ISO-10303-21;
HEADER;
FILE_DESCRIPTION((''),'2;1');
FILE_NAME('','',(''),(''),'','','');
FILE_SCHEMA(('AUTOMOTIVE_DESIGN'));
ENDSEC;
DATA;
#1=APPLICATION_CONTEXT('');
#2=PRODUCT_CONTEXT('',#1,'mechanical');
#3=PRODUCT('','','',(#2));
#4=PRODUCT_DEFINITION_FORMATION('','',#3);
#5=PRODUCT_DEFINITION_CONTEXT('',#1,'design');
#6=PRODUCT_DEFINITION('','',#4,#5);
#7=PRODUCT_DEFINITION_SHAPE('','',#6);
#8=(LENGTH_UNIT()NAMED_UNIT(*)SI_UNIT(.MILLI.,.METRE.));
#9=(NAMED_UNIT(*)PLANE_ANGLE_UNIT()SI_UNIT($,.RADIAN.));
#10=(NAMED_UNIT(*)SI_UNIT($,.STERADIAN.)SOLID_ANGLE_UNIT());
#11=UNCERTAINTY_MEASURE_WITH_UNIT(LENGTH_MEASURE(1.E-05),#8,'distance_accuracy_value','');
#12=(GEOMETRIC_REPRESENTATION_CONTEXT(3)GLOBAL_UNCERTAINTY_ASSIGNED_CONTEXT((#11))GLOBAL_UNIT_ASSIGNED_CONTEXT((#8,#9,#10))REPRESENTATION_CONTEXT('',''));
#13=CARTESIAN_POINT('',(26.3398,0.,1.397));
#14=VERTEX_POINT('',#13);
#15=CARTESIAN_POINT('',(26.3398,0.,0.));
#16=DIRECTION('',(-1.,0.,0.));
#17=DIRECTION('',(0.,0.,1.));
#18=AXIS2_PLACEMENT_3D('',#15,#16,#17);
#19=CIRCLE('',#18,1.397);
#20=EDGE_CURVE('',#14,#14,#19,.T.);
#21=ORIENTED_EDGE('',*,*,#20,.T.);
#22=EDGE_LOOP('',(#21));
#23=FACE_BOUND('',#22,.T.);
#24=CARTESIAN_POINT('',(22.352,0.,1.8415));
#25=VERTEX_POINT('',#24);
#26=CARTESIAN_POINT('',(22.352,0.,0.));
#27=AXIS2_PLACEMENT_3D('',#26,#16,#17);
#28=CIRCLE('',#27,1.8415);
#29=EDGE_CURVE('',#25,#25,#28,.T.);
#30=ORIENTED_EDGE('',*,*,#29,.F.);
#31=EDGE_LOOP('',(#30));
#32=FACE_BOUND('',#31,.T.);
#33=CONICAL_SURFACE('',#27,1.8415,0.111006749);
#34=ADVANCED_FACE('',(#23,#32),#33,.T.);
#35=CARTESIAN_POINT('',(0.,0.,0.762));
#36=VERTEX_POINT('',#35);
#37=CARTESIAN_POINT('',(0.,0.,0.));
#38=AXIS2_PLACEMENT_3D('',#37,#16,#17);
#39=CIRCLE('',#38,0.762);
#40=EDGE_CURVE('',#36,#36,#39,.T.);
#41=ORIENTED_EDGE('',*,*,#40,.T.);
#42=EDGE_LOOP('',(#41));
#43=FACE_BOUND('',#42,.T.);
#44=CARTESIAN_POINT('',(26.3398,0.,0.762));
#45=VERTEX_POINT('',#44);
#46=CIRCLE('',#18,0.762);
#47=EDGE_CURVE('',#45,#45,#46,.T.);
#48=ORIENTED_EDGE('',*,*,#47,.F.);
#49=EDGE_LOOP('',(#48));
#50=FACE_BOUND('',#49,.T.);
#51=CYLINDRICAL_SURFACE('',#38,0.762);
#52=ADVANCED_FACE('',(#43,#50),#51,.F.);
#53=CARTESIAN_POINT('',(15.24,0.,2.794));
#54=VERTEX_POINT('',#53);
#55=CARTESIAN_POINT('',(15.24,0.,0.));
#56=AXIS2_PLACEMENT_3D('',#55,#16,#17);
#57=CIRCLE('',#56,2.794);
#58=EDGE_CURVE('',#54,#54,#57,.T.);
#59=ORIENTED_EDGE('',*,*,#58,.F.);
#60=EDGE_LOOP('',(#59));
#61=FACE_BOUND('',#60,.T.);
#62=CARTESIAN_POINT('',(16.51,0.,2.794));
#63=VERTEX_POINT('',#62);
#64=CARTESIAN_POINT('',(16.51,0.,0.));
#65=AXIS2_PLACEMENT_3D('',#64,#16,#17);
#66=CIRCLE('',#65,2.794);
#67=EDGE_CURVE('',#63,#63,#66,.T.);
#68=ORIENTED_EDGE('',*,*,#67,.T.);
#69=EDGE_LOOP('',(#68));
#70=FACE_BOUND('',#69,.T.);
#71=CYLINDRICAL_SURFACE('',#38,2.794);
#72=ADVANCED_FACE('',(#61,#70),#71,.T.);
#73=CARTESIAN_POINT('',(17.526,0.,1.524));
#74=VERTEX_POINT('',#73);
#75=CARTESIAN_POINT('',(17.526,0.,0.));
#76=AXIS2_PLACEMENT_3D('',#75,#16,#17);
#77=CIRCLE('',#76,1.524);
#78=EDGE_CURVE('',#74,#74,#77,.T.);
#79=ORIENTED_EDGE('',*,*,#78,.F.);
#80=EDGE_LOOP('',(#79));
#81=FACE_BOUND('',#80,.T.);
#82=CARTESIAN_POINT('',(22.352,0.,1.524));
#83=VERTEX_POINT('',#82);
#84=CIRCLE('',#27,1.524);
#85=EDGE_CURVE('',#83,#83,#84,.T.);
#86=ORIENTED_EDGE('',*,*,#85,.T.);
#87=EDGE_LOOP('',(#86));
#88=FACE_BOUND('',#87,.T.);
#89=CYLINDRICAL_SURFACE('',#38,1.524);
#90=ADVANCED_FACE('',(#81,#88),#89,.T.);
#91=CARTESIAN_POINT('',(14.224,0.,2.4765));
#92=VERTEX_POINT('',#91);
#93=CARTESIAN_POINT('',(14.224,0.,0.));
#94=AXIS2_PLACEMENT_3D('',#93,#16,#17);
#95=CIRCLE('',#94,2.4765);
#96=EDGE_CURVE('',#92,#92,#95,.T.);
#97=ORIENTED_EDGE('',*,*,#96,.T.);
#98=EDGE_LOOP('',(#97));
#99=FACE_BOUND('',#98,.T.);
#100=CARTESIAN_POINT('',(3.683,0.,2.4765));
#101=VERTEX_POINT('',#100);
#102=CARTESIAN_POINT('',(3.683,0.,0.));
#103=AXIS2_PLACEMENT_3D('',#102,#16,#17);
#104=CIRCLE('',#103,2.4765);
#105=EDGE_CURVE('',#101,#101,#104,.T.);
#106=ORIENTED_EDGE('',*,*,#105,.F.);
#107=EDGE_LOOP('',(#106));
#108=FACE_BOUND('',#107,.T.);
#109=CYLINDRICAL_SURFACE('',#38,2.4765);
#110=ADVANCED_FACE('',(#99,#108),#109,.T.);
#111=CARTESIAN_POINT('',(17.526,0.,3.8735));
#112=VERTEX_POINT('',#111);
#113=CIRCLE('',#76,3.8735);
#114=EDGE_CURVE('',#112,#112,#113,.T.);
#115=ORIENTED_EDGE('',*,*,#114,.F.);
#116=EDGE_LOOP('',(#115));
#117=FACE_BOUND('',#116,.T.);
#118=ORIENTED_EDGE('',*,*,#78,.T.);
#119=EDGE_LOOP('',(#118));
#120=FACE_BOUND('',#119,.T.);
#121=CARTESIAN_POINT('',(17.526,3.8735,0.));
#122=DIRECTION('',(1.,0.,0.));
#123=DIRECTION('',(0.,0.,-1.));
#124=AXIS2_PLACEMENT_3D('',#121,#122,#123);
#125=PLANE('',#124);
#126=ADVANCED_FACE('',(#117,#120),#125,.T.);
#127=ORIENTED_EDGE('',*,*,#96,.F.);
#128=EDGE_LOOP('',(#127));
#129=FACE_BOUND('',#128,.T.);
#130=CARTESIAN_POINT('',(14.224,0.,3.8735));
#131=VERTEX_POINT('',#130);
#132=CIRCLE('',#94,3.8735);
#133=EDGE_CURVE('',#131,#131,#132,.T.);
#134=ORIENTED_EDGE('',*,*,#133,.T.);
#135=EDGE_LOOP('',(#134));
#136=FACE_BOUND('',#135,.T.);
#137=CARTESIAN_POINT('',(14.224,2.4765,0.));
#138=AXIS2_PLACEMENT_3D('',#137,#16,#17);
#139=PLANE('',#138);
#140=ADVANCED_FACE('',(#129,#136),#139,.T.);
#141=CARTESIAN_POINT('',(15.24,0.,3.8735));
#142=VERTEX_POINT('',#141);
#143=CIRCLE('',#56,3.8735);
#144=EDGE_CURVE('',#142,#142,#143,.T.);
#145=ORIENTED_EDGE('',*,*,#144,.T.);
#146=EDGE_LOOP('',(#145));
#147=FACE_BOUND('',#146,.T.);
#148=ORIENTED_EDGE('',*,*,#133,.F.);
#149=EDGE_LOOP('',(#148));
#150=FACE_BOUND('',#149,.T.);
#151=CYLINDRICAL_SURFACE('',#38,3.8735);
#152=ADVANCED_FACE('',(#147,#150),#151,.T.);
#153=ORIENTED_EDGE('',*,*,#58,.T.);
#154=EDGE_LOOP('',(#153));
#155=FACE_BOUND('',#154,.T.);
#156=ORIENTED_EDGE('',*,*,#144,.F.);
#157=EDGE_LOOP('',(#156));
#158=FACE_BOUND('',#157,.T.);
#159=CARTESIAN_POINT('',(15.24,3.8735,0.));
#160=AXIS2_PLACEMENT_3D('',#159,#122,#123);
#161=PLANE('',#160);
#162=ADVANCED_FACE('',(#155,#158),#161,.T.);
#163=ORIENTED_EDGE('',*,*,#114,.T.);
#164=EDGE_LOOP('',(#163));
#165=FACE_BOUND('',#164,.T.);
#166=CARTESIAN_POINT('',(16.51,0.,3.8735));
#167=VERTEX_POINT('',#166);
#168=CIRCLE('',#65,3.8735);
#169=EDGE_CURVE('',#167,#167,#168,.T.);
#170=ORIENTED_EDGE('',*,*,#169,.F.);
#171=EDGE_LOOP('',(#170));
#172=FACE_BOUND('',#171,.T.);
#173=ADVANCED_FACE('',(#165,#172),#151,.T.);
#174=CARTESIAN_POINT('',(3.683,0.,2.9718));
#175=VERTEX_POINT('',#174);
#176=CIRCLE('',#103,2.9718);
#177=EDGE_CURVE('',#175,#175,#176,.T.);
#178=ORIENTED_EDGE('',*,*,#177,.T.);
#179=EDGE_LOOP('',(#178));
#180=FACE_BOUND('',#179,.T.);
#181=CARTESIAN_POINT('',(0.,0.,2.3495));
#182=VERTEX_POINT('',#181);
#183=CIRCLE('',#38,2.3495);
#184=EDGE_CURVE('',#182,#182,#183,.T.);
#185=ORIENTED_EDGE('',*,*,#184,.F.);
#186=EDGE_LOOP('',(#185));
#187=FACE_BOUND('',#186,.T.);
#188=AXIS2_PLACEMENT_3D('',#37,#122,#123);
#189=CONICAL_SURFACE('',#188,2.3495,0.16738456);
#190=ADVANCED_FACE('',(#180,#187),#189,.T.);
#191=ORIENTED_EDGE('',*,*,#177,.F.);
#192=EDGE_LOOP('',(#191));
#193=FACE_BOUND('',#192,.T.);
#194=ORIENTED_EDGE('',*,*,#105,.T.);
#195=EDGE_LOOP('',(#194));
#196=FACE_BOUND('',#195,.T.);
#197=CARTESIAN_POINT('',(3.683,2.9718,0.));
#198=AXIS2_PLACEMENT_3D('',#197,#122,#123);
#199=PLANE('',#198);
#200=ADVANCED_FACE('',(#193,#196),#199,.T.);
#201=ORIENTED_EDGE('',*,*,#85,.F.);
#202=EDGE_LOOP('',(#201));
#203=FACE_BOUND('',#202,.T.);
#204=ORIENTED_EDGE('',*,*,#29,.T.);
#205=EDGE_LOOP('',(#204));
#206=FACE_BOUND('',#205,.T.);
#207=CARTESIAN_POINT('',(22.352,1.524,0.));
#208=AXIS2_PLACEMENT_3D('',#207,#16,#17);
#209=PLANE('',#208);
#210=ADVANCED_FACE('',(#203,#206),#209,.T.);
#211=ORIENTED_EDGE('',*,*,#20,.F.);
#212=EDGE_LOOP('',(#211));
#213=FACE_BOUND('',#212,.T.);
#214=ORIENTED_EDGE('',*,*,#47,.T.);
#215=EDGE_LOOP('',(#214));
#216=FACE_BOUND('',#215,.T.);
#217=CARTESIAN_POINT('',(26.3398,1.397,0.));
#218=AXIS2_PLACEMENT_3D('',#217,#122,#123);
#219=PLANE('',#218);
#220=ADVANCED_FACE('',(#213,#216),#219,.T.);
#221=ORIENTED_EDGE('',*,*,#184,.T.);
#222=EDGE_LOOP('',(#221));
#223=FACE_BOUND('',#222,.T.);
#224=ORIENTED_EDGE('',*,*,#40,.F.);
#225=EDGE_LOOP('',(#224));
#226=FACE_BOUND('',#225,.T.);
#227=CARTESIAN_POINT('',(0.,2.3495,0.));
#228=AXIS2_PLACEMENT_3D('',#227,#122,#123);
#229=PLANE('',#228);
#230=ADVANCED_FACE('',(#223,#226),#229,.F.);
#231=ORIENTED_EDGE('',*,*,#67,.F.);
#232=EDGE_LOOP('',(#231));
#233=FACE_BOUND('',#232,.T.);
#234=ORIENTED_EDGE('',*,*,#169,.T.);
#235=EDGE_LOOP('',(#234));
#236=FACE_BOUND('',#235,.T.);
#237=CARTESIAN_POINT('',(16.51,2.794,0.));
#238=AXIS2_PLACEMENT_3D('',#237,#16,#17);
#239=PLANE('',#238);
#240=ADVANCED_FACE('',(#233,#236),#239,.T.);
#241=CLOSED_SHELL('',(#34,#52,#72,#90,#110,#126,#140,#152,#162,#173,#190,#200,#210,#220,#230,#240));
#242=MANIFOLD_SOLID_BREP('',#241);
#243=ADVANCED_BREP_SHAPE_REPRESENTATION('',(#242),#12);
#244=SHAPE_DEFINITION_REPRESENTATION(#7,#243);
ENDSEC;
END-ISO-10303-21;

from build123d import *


with BuildPart() as part:
    # Sketch1 → Revolve1 (revolve)
    with BuildSketch(Plane.XY, mode=Mode.PRIVATE) as revolve1_sk:
        Polygon((0, 2.3495), (0, 0.762), (26.3398, 0.762), (26.3398, 1.397), (22.352, 1.8415), (22.352, 1.524), (17.526, 1.524), (17.526, 3.8735), (16.51, 3.8735), (16.51, 2.794), (15.24, 2.794), (15.24, 3.8735), (14.224, 3.8735), (14.224, 2.4765), (3.683, 2.4765), (3.683, 2.9718), align=None)
    revolve(revolve1_sk.sketch.rotate(Axis((0, 0, 0), (1, 0, 0)), 90), axis=Axis((0, 0, 0), (1, 0, 0)))


solid = part.part
